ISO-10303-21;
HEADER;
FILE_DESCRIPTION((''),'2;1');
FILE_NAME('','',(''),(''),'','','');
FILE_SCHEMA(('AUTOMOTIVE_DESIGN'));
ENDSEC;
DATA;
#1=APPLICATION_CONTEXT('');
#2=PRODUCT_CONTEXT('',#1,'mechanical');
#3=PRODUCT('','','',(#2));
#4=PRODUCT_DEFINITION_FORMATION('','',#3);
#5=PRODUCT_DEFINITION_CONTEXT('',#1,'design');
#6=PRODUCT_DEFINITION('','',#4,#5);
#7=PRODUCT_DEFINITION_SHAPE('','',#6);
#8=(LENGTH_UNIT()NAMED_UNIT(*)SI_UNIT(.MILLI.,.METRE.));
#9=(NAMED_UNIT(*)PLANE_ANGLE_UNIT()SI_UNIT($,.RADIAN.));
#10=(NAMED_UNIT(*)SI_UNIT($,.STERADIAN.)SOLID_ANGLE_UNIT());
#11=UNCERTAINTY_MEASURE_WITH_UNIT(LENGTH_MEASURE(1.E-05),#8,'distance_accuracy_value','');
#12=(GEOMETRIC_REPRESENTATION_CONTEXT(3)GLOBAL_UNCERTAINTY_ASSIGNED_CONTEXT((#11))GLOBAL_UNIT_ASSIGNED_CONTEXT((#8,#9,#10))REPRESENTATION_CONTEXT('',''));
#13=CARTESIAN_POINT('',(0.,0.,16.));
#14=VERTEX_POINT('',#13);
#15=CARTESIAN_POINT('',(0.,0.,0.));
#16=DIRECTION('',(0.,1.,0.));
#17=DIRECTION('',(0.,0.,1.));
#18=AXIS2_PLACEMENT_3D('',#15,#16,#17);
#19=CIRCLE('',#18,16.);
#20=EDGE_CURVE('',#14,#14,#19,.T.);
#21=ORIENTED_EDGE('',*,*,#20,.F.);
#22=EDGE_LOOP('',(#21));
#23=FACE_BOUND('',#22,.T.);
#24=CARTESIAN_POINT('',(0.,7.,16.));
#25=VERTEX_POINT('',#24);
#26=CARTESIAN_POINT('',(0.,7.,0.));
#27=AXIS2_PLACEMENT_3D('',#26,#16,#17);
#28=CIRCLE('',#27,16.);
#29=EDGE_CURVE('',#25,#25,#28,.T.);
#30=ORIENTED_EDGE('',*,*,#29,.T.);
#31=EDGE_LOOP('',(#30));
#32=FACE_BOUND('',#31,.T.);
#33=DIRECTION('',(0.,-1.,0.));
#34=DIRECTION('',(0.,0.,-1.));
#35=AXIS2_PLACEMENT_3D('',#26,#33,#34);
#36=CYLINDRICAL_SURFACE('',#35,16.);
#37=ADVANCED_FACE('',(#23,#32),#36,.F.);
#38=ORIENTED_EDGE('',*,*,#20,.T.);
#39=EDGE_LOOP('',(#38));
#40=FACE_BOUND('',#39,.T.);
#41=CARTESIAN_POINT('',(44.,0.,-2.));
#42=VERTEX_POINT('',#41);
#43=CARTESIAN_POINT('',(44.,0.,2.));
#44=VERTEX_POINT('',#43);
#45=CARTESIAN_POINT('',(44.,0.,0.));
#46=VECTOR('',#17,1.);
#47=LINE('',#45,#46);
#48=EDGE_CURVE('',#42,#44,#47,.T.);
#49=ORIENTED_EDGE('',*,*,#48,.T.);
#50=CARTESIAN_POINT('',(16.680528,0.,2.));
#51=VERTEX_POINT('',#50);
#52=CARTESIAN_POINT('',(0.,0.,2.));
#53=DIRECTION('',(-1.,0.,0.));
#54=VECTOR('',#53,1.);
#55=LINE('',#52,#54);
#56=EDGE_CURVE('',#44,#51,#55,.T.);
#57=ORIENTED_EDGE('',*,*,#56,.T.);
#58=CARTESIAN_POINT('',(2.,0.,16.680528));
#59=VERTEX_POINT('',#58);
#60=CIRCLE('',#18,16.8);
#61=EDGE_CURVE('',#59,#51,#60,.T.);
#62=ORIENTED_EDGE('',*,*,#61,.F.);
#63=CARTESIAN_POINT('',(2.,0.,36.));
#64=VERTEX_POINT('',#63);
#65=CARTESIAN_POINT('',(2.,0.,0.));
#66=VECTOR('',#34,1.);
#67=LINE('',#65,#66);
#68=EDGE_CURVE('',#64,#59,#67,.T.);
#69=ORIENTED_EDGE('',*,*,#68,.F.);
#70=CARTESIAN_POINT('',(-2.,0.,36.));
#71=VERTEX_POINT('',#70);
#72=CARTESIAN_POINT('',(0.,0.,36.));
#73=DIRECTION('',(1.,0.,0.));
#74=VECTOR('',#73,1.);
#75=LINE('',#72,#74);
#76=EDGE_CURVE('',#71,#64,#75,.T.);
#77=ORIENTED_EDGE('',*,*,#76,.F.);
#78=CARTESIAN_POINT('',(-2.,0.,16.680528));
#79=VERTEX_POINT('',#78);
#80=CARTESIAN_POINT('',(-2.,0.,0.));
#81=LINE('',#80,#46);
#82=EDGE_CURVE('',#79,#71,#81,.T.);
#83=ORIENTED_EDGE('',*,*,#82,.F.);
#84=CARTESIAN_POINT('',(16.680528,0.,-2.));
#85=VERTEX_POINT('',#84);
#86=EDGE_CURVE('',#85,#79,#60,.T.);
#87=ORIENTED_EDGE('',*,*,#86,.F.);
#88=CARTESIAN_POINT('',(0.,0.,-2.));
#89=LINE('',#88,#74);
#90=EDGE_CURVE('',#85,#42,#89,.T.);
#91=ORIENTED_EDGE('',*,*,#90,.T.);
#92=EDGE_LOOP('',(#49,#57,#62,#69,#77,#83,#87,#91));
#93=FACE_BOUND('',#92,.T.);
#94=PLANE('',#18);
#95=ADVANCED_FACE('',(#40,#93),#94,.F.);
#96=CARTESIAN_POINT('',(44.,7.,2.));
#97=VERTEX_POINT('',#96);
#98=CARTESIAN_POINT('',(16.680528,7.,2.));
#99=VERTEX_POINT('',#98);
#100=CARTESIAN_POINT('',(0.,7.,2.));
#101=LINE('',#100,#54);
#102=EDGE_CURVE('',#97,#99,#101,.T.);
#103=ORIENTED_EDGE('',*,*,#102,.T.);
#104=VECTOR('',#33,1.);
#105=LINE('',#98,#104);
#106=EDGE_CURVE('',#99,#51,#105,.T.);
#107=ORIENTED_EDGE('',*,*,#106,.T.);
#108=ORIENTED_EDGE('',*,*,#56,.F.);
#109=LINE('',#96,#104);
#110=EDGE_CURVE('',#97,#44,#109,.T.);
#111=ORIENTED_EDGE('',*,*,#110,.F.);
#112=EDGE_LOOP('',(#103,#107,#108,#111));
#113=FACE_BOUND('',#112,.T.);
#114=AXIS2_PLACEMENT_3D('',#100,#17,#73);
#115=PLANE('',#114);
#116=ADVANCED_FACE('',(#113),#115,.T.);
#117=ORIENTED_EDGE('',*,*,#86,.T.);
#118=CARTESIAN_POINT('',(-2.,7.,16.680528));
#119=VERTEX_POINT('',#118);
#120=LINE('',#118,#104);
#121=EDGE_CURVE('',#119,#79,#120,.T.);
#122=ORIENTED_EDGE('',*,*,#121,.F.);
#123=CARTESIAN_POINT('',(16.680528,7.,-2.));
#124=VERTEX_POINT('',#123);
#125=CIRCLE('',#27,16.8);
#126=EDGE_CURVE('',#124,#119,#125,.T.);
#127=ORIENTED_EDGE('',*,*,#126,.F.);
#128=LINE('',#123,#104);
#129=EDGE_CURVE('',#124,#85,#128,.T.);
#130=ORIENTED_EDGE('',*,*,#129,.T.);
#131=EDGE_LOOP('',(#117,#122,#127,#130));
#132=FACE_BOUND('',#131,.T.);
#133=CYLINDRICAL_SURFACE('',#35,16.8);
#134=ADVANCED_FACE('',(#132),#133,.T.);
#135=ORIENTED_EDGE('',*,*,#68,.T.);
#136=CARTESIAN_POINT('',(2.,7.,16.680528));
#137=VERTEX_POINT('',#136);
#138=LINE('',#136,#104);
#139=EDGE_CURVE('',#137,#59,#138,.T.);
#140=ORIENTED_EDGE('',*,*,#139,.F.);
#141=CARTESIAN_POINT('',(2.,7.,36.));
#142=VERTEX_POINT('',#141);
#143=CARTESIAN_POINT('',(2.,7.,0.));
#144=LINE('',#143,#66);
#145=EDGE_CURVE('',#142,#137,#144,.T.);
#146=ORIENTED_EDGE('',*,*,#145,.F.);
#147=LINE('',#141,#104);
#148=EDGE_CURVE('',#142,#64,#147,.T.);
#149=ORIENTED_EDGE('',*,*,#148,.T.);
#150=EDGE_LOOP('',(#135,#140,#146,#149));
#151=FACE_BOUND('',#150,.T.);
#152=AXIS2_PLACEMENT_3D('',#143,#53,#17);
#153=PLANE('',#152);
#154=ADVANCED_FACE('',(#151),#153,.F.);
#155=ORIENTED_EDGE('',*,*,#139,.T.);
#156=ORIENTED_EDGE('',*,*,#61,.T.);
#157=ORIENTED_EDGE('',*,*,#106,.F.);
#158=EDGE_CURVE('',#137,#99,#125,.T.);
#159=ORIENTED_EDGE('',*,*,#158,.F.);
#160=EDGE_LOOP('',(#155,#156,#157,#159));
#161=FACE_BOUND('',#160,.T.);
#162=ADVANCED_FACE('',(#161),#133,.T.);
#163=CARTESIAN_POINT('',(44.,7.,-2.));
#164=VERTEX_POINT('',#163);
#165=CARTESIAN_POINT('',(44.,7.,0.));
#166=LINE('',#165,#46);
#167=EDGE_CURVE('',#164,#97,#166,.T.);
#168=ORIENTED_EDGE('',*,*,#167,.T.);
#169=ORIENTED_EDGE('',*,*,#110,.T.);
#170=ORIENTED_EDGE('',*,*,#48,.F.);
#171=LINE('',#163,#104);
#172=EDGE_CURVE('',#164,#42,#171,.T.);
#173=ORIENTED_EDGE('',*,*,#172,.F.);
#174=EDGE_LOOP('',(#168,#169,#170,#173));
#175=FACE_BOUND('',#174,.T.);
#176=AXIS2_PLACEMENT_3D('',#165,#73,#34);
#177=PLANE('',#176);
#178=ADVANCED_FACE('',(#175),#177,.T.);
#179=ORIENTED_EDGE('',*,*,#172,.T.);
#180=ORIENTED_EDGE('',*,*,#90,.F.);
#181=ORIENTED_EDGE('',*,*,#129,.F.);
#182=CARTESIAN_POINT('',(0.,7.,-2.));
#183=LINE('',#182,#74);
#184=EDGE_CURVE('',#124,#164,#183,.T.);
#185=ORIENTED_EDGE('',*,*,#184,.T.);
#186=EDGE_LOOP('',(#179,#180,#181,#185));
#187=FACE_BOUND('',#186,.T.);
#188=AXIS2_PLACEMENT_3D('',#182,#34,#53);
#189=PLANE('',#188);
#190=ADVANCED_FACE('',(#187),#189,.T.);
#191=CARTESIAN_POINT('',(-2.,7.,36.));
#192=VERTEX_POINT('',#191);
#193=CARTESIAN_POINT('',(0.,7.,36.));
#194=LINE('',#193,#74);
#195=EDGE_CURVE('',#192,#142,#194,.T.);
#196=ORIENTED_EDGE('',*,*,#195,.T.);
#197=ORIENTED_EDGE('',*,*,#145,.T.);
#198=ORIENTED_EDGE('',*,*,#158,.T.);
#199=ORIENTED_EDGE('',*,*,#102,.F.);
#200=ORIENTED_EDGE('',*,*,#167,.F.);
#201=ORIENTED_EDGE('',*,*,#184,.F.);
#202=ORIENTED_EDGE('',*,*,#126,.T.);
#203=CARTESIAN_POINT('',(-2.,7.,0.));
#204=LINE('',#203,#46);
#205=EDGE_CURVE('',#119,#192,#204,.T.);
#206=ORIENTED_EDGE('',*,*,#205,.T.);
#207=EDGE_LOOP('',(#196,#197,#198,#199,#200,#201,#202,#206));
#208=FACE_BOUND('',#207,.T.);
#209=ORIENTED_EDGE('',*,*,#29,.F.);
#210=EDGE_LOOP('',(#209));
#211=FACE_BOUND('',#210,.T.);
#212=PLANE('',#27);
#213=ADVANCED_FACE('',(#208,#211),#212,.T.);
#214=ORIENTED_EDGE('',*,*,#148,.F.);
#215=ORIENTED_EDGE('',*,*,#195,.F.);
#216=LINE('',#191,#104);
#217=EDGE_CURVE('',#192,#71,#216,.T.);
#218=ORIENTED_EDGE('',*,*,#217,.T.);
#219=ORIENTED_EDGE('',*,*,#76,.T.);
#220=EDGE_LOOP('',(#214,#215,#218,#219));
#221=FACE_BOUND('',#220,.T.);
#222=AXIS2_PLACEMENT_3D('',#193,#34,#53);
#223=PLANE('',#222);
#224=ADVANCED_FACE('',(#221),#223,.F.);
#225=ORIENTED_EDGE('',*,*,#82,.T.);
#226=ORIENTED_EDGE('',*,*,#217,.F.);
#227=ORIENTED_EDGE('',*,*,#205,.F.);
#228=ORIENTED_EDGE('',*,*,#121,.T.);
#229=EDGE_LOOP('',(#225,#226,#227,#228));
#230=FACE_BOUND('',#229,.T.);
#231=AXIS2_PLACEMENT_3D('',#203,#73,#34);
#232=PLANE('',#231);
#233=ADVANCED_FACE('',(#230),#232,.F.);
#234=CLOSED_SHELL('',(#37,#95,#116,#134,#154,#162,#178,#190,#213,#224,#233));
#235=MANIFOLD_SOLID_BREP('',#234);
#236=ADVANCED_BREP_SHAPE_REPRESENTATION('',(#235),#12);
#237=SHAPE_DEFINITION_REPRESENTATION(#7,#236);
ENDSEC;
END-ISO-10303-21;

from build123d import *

# Parameters (mm, degrees)
SKETCH1_R           = 16
BOSS_EXTRUDE1_DEPTH = 7


with BuildPart() as part:
    # Sketch1 → Boss-Extrude1 (new body)
    with BuildSketch(Plane(origin=(0, 0, 0), x_dir=(1, 0, 0), z_dir=(0, 1, 0))):
        with BuildLine():
            Line((2, -36), (2, -16.68052757))
            ThreePointArc((2, -16.68052757), (11.879393924, -11.879393924), (16.68052757, -2))
            Line((16.68052757, -2), (44, -2))
            Line((44, -2), (44, 2))
            Line((44, 2), (16.68052757, 2))
            ThreePointArc((16.68052757, 2), (-11.879393924, 11.879393924), (-2, -16.68052757))
            Line((-2, -16.68052757), (-2, -36))
            Line((-2, -36), (2, -36))
        make_face()
        with Locations(Location((0, 0, 0), (0, 0, 270))):
            Circle(SKETCH1_R, mode=Mode.SUBTRACT)
    extrude(amount=BOSS_EXTRUDE1_DEPTH)


solid = part.part
